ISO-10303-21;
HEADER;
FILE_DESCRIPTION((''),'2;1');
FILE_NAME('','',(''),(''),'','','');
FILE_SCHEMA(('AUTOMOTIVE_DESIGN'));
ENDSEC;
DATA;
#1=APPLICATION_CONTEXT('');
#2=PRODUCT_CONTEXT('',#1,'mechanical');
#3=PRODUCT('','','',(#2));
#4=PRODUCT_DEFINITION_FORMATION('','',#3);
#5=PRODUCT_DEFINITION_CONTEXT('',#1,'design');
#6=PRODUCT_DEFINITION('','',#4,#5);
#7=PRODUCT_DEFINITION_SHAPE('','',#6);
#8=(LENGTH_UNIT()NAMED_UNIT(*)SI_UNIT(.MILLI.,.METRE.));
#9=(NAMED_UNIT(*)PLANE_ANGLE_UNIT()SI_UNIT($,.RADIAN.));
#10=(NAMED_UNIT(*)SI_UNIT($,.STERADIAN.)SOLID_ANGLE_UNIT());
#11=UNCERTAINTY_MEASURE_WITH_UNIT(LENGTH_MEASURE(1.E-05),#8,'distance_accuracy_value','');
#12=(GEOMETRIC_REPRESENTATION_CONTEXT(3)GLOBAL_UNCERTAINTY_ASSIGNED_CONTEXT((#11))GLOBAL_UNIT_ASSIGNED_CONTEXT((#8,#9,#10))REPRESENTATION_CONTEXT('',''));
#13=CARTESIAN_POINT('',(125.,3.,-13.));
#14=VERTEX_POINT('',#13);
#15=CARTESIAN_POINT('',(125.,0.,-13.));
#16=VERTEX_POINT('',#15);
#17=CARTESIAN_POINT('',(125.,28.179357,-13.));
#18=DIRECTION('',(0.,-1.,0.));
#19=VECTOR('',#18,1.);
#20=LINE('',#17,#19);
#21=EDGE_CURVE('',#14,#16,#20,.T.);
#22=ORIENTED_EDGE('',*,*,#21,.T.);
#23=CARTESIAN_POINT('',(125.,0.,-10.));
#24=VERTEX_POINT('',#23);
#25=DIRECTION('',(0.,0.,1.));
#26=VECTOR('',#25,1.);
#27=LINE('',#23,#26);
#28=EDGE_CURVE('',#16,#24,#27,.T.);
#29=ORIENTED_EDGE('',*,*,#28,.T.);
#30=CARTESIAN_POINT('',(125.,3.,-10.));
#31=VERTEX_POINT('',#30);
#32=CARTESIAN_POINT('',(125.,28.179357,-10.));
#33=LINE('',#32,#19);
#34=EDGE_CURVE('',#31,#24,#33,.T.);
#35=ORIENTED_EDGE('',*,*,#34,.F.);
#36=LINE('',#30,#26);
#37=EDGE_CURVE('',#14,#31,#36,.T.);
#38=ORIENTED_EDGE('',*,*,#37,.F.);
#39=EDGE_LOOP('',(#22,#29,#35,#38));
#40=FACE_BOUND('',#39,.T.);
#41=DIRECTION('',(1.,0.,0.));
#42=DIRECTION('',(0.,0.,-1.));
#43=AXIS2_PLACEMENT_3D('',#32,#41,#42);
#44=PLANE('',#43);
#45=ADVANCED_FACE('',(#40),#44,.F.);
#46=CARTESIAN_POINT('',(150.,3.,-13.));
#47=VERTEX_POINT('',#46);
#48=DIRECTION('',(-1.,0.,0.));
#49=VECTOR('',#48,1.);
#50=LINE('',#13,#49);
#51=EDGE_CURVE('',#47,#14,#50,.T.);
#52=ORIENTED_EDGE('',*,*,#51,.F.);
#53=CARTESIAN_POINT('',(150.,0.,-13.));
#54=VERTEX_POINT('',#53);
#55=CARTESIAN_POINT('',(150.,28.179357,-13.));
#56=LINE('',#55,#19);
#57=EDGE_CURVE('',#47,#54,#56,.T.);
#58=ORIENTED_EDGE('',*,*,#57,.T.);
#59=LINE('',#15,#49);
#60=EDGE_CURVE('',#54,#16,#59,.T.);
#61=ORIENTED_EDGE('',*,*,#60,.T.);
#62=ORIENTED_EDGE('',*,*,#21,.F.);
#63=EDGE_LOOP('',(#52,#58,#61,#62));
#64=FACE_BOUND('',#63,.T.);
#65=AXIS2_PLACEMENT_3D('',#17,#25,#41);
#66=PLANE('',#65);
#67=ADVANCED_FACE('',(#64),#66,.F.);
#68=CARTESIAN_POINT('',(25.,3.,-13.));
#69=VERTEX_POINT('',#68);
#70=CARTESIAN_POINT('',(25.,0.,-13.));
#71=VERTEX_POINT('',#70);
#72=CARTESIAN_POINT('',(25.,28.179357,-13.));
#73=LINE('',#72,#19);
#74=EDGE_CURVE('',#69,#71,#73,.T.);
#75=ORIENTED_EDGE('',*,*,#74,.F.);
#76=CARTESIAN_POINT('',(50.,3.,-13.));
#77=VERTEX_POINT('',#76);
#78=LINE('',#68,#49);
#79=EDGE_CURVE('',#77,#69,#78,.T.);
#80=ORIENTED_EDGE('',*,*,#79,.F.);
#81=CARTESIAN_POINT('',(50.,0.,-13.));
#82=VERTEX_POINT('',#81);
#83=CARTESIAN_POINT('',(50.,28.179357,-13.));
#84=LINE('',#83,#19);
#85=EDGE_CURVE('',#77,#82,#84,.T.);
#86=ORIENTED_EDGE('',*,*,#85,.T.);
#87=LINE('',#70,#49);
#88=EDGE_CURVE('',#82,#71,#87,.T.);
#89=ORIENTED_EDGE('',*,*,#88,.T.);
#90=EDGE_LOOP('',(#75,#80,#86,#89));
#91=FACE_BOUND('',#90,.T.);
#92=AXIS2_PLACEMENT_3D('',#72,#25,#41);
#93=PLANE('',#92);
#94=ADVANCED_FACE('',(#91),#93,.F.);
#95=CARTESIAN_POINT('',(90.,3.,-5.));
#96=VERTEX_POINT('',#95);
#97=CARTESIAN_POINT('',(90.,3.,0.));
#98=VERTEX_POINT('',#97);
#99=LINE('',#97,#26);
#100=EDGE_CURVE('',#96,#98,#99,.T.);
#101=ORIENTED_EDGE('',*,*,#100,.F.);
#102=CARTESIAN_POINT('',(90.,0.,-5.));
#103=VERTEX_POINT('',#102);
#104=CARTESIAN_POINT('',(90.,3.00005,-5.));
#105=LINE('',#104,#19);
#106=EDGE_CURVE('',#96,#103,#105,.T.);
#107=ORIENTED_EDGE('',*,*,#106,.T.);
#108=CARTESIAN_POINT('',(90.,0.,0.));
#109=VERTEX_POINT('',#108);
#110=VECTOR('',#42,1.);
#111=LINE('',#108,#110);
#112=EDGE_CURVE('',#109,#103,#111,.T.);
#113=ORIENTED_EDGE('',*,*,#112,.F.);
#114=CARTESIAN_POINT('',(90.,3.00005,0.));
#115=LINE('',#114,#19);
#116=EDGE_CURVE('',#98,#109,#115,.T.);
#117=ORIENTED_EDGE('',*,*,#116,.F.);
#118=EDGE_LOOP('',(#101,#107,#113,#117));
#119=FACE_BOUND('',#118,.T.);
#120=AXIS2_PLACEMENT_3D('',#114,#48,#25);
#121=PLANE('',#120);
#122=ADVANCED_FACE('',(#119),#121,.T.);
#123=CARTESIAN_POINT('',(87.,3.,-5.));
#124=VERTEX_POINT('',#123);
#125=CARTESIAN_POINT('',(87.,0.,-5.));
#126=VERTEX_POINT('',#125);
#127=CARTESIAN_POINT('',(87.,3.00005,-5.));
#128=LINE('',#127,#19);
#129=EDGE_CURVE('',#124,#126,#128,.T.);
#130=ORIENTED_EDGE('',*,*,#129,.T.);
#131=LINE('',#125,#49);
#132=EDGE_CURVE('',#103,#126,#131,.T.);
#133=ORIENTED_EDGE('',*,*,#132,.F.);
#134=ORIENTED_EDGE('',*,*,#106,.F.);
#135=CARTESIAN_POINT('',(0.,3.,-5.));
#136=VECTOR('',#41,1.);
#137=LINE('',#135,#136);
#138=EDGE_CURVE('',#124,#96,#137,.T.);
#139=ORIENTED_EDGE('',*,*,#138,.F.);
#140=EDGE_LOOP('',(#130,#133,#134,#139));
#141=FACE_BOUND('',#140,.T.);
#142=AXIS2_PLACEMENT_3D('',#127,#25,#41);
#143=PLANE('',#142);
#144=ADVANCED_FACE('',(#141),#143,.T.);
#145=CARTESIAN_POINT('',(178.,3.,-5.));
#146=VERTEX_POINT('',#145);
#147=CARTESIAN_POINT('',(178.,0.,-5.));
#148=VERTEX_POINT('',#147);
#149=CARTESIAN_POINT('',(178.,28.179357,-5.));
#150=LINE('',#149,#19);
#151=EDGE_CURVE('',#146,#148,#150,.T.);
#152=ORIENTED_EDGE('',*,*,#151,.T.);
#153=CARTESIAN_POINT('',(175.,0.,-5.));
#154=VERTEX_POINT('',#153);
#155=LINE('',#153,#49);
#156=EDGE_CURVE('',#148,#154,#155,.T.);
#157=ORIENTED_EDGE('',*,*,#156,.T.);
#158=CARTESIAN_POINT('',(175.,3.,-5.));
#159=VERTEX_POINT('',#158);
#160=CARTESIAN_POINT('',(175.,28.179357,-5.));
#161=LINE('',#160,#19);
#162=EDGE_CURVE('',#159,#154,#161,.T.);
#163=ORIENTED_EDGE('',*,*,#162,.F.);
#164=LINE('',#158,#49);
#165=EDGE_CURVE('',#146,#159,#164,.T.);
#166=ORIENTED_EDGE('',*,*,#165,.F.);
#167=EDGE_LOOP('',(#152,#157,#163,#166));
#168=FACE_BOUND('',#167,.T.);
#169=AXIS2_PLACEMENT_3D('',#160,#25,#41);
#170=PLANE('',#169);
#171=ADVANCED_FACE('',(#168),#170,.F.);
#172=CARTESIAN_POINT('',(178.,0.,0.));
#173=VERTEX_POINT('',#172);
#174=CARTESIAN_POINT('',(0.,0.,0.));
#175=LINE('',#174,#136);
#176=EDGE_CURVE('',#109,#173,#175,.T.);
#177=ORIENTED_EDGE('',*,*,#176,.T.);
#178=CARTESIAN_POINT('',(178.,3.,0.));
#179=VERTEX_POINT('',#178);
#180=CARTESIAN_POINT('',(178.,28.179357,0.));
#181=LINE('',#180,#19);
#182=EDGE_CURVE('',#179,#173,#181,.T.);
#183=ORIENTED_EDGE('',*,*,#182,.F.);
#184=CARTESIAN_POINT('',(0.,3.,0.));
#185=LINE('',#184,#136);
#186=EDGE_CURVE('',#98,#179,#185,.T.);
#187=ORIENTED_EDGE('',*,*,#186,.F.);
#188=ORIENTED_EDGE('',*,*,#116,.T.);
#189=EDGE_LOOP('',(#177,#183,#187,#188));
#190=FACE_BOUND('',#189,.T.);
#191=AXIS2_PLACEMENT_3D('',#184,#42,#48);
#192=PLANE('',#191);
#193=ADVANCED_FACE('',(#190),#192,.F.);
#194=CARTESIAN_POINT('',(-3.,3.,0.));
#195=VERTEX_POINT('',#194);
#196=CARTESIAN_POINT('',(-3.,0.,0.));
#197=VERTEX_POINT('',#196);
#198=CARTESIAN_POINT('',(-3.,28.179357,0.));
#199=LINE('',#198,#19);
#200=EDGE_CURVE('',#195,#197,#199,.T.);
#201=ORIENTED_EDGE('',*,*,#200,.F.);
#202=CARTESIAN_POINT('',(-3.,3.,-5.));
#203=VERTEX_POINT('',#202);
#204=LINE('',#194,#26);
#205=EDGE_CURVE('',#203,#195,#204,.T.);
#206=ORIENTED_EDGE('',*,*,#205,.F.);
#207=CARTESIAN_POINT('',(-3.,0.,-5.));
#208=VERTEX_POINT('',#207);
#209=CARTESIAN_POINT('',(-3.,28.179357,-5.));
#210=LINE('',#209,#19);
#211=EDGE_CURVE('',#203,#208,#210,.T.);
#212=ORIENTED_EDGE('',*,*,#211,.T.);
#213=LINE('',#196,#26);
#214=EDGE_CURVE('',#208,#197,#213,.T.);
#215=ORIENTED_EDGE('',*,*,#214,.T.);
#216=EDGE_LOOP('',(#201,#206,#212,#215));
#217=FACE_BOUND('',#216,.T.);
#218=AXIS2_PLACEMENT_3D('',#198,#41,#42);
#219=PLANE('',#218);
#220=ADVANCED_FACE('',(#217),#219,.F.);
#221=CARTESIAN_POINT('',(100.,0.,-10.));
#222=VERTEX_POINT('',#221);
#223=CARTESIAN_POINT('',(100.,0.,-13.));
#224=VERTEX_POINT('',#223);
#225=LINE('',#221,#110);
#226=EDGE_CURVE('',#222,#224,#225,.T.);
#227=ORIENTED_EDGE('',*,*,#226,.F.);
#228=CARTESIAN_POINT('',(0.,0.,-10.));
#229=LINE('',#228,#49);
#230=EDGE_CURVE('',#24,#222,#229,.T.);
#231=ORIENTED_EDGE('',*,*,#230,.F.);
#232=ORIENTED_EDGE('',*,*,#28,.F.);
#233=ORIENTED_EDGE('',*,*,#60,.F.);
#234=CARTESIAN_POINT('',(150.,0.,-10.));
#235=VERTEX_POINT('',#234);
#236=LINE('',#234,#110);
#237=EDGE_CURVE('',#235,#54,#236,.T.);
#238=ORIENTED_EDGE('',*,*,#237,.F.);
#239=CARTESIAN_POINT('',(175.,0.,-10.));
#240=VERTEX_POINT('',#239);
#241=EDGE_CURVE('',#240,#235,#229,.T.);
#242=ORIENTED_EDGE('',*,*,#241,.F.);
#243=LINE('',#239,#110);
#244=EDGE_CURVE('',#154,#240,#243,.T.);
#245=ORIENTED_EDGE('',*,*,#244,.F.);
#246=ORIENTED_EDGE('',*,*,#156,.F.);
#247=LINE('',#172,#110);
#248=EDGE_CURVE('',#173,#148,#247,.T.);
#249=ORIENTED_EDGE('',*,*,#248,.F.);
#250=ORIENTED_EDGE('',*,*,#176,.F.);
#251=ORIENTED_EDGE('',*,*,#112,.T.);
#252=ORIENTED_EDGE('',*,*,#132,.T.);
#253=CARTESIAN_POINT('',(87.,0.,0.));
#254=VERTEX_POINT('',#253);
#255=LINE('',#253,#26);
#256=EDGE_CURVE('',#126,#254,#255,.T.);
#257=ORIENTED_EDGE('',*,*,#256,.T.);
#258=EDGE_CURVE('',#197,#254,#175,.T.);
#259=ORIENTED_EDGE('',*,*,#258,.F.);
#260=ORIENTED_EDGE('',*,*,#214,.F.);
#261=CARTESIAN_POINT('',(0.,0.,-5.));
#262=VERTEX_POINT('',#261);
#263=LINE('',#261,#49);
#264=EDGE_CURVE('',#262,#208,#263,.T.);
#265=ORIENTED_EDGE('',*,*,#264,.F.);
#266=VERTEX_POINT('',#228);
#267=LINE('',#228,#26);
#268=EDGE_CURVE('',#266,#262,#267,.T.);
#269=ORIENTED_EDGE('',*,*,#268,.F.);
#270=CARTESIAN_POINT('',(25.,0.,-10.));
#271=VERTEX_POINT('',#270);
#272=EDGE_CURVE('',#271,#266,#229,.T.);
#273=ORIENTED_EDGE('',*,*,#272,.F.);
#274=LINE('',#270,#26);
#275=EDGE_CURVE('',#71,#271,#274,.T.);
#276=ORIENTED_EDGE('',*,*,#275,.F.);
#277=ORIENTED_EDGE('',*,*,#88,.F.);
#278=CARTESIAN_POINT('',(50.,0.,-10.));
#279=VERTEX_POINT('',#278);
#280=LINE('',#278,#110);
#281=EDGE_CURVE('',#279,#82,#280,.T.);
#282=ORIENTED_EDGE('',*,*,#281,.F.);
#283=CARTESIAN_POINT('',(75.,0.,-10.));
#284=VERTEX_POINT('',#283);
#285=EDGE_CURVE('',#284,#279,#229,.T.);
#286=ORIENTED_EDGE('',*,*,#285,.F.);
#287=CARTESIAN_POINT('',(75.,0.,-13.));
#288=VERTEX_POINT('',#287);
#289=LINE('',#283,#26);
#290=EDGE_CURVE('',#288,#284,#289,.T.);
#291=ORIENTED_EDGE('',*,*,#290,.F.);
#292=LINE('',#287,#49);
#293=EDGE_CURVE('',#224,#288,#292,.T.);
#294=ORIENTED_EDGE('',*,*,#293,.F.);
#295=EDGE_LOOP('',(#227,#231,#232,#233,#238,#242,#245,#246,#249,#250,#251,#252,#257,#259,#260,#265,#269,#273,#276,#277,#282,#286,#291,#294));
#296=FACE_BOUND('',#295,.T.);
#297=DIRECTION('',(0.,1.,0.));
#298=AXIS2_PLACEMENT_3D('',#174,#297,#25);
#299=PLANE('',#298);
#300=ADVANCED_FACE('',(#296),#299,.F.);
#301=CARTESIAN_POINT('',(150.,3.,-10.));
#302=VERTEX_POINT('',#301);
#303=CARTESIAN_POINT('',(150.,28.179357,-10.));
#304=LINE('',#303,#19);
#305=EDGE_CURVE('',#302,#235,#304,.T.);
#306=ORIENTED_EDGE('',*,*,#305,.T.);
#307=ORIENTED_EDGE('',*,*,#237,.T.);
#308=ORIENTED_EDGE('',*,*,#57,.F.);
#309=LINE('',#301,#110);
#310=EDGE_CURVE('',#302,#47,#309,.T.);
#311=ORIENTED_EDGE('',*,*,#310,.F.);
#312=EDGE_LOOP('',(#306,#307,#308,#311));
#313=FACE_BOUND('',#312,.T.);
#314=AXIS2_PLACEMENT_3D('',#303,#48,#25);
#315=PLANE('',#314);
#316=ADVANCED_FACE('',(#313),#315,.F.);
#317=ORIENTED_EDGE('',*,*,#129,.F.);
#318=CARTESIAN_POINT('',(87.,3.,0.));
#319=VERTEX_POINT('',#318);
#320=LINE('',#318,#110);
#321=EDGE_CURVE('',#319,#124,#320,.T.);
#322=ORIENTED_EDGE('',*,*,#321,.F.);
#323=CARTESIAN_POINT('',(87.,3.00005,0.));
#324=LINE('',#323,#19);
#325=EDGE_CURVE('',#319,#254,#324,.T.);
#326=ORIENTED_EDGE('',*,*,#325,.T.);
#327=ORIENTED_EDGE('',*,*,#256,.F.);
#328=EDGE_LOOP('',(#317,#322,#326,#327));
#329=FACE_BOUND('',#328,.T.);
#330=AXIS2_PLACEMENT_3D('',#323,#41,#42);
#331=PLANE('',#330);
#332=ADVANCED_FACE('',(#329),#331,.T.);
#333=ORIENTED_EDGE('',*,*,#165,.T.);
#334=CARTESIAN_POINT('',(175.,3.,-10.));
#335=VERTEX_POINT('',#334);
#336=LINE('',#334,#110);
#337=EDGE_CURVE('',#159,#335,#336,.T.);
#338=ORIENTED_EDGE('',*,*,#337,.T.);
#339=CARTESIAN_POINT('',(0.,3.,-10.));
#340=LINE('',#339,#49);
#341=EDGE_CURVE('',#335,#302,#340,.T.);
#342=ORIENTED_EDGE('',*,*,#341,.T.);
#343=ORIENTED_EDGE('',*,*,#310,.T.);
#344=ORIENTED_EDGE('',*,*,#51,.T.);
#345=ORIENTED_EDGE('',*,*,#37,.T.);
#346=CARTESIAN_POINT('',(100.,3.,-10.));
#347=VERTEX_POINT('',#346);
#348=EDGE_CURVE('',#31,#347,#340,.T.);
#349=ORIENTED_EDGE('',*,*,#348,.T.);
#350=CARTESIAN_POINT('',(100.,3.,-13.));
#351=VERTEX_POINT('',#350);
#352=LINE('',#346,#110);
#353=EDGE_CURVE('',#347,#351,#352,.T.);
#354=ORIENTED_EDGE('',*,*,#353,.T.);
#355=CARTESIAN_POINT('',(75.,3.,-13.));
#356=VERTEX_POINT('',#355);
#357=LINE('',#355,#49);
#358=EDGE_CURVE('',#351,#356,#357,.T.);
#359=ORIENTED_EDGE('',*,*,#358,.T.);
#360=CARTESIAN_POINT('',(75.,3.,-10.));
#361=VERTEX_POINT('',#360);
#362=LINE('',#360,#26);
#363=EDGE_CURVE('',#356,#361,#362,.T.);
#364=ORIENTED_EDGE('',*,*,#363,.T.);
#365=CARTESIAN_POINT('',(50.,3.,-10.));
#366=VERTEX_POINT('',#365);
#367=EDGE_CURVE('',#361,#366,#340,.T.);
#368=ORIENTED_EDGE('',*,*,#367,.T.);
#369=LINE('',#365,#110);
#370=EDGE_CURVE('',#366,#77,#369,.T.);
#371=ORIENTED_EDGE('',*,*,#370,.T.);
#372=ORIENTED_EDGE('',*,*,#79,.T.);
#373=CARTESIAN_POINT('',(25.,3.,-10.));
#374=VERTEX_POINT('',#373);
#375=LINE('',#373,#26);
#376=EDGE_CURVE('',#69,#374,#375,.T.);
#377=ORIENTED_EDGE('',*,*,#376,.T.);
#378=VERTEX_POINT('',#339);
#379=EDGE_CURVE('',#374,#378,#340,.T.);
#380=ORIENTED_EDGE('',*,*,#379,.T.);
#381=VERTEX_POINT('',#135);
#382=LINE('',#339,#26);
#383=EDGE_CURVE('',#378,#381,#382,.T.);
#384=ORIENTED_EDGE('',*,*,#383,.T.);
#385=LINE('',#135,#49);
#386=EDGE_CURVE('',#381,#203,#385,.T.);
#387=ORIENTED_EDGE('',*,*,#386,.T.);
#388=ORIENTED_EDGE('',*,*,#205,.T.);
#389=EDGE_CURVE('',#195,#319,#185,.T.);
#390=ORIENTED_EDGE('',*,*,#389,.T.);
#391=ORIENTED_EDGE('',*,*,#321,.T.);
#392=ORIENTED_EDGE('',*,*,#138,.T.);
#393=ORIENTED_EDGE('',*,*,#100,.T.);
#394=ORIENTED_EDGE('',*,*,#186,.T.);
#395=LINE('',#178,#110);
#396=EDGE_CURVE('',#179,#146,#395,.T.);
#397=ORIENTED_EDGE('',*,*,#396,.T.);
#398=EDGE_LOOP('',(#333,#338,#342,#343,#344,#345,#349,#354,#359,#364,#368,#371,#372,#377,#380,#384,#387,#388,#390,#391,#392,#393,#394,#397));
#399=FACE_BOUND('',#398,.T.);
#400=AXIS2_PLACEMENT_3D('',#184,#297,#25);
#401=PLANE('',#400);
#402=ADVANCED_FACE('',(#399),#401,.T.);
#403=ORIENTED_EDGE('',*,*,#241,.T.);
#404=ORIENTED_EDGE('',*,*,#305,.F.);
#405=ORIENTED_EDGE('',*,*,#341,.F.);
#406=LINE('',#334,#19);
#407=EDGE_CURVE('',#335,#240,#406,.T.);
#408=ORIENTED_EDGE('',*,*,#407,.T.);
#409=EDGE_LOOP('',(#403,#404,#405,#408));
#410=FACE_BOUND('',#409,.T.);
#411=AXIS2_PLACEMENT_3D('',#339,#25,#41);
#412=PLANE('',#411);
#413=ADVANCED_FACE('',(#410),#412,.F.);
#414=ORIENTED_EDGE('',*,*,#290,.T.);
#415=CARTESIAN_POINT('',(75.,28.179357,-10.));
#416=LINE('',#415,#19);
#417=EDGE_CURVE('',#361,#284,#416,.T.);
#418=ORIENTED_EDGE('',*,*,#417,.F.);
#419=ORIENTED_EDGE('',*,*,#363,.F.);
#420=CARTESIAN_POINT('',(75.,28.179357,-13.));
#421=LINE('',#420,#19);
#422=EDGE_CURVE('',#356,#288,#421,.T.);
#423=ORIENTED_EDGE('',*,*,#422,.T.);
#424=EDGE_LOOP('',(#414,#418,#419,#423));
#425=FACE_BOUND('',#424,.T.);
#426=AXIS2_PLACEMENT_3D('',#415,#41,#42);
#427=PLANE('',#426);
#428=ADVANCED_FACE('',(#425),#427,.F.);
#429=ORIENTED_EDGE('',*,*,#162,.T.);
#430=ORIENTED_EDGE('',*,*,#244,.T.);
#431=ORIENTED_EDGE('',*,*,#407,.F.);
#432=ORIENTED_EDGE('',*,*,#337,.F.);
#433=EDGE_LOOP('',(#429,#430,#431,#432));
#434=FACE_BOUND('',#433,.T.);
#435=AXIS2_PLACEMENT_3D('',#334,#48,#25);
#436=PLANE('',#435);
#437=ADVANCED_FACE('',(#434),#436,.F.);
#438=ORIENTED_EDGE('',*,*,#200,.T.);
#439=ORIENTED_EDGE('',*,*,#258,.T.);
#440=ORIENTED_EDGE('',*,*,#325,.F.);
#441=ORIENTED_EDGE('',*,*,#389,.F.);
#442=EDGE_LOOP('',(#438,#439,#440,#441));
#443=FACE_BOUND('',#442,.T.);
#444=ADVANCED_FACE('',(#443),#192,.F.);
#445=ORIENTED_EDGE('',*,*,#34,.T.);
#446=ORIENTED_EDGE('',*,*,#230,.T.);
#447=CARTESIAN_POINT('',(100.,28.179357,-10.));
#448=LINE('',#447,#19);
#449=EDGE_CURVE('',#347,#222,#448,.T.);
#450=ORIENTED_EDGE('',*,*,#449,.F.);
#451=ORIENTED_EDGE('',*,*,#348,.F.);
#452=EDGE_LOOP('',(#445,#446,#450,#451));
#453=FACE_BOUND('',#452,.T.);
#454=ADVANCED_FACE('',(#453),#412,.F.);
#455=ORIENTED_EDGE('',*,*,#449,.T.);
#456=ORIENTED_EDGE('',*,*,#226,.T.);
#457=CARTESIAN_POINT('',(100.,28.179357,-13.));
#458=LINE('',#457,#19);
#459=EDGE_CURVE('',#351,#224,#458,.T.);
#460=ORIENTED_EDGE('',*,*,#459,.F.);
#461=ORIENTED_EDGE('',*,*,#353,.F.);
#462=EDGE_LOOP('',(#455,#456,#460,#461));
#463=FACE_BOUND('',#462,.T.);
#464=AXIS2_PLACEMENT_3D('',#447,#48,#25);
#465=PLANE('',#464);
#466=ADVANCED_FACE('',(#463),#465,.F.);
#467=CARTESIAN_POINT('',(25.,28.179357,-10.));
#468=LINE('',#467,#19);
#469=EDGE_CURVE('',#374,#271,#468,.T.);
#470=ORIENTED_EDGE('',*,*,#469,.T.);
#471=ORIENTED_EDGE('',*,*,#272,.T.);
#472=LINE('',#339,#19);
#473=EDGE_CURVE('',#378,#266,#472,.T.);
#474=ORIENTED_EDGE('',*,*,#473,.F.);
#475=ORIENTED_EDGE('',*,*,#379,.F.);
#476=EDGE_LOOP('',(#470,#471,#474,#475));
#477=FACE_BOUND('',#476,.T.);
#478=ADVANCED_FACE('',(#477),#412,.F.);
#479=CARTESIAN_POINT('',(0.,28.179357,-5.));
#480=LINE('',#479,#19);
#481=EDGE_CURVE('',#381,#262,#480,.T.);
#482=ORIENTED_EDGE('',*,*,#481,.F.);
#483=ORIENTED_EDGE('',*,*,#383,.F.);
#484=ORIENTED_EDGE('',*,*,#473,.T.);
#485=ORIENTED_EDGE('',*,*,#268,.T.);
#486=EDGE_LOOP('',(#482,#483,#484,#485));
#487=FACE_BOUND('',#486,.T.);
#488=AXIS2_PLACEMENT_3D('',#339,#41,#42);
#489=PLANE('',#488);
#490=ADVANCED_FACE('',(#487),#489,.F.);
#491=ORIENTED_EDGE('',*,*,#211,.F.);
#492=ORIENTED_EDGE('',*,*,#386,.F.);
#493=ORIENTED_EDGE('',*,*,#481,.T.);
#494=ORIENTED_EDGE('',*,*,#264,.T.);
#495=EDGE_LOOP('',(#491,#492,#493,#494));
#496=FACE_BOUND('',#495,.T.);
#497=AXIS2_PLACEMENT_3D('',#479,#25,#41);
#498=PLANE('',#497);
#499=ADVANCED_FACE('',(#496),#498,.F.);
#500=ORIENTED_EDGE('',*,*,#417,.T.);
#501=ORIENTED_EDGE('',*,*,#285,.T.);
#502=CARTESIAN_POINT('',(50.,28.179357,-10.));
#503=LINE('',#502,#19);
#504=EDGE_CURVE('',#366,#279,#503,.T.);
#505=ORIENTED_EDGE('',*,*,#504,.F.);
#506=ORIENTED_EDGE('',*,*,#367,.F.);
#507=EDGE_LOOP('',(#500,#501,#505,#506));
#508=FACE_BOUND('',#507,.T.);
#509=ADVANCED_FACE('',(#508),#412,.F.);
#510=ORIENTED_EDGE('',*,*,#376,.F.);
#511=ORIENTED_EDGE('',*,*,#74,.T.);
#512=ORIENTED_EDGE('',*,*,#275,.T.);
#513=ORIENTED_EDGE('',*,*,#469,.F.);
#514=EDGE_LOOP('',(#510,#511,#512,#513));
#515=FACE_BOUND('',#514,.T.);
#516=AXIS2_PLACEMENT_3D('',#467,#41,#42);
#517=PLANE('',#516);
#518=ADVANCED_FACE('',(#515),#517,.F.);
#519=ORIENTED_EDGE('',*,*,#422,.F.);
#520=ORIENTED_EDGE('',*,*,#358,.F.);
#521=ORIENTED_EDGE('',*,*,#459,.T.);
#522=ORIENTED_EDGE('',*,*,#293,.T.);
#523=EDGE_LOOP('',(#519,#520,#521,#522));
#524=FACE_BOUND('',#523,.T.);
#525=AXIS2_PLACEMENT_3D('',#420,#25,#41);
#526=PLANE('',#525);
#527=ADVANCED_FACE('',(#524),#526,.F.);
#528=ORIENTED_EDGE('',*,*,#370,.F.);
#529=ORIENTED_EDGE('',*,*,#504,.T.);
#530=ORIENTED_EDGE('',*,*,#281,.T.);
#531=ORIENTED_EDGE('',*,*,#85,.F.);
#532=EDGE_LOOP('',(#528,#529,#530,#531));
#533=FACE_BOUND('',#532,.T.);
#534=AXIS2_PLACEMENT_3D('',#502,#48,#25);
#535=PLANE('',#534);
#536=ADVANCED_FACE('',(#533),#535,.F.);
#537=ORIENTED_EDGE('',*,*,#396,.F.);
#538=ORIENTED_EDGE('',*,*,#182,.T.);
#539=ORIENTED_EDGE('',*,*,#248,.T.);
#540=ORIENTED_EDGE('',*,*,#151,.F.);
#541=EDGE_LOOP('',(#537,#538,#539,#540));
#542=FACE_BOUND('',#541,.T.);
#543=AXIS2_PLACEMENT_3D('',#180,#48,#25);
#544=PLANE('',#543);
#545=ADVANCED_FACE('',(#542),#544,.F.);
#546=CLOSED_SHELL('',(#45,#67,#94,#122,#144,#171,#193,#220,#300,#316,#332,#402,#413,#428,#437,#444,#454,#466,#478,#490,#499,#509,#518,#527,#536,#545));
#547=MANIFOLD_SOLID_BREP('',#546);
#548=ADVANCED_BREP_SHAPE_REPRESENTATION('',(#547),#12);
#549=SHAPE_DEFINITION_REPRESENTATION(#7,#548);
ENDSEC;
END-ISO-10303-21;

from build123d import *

# Parameters (mm, degrees)
SKICA1_W                 = 175
SKICA1_H                 = 10
P_IDAT_VYSUNUT_M1_DEPTH  = 3
SKICA2_W                 = 3
SKICA2_H                 = 5
SKICA2_W_2               = 25
SKICA2_H_2               = 3
P_IDAT_VYSUNUT_M2_DEPTH  = 3
SKICA3_W                 = 3
SKICA3_H                 = 5
ODEBRAT_VYSUNUT_M1_DEPTH = 179.499299719


with BuildPart() as part:
    # Skica1 → Přidat vysunutím1 (new body)
    with BuildSketch(Plane(origin=(0, 0, 0), x_dir=(1, 0, 0), z_dir=(0, 1, 0))):
        with Locations((87.5, 5)):
            Rectangle(SKICA1_W, SKICA1_H)
    extrude(amount=P_IDAT_VYSUNUT_M1_DEPTH)

    # Skica2 → Přidat vysunutím2 (add)
    with BuildSketch(Plane(origin=(0, 0, 0), x_dir=(1, 0, 0), z_dir=(0, 1, 0))):
        with Locations((-1.5, 2.5)):
            Rectangle(SKICA2_W, SKICA2_H)
        with Locations((176.5, 2.5)):
            Rectangle(SKICA2_W, SKICA2_H)
        with Locations((37.5, 11.5)):
            Rectangle(SKICA2_W_2, SKICA2_H_2)
        with Locations((87.5, 11.5)):
            Rectangle(SKICA2_W_2, SKICA2_H_2)
        with Locations((137.5, 11.5)):
            Rectangle(SKICA2_W_2, SKICA2_H_2)
    extrude(amount=P_IDAT_VYSUNUT_M2_DEPTH)

    # Skica3 → Odebrat vysunutím1 (cut, through all)
    with BuildSketch(Plane(origin=(0, 0, 0), x_dir=(1, 0, 0), z_dir=(0, 1, 0))):
        with Locations((88.5, 2.5)):
            Rectangle(SKICA3_W, SKICA3_H)
    extrude(amount=ODEBRAT_VYSUNUT_M1_DEPTH, mode=Mode.SUBTRACT)


solid = part.part
